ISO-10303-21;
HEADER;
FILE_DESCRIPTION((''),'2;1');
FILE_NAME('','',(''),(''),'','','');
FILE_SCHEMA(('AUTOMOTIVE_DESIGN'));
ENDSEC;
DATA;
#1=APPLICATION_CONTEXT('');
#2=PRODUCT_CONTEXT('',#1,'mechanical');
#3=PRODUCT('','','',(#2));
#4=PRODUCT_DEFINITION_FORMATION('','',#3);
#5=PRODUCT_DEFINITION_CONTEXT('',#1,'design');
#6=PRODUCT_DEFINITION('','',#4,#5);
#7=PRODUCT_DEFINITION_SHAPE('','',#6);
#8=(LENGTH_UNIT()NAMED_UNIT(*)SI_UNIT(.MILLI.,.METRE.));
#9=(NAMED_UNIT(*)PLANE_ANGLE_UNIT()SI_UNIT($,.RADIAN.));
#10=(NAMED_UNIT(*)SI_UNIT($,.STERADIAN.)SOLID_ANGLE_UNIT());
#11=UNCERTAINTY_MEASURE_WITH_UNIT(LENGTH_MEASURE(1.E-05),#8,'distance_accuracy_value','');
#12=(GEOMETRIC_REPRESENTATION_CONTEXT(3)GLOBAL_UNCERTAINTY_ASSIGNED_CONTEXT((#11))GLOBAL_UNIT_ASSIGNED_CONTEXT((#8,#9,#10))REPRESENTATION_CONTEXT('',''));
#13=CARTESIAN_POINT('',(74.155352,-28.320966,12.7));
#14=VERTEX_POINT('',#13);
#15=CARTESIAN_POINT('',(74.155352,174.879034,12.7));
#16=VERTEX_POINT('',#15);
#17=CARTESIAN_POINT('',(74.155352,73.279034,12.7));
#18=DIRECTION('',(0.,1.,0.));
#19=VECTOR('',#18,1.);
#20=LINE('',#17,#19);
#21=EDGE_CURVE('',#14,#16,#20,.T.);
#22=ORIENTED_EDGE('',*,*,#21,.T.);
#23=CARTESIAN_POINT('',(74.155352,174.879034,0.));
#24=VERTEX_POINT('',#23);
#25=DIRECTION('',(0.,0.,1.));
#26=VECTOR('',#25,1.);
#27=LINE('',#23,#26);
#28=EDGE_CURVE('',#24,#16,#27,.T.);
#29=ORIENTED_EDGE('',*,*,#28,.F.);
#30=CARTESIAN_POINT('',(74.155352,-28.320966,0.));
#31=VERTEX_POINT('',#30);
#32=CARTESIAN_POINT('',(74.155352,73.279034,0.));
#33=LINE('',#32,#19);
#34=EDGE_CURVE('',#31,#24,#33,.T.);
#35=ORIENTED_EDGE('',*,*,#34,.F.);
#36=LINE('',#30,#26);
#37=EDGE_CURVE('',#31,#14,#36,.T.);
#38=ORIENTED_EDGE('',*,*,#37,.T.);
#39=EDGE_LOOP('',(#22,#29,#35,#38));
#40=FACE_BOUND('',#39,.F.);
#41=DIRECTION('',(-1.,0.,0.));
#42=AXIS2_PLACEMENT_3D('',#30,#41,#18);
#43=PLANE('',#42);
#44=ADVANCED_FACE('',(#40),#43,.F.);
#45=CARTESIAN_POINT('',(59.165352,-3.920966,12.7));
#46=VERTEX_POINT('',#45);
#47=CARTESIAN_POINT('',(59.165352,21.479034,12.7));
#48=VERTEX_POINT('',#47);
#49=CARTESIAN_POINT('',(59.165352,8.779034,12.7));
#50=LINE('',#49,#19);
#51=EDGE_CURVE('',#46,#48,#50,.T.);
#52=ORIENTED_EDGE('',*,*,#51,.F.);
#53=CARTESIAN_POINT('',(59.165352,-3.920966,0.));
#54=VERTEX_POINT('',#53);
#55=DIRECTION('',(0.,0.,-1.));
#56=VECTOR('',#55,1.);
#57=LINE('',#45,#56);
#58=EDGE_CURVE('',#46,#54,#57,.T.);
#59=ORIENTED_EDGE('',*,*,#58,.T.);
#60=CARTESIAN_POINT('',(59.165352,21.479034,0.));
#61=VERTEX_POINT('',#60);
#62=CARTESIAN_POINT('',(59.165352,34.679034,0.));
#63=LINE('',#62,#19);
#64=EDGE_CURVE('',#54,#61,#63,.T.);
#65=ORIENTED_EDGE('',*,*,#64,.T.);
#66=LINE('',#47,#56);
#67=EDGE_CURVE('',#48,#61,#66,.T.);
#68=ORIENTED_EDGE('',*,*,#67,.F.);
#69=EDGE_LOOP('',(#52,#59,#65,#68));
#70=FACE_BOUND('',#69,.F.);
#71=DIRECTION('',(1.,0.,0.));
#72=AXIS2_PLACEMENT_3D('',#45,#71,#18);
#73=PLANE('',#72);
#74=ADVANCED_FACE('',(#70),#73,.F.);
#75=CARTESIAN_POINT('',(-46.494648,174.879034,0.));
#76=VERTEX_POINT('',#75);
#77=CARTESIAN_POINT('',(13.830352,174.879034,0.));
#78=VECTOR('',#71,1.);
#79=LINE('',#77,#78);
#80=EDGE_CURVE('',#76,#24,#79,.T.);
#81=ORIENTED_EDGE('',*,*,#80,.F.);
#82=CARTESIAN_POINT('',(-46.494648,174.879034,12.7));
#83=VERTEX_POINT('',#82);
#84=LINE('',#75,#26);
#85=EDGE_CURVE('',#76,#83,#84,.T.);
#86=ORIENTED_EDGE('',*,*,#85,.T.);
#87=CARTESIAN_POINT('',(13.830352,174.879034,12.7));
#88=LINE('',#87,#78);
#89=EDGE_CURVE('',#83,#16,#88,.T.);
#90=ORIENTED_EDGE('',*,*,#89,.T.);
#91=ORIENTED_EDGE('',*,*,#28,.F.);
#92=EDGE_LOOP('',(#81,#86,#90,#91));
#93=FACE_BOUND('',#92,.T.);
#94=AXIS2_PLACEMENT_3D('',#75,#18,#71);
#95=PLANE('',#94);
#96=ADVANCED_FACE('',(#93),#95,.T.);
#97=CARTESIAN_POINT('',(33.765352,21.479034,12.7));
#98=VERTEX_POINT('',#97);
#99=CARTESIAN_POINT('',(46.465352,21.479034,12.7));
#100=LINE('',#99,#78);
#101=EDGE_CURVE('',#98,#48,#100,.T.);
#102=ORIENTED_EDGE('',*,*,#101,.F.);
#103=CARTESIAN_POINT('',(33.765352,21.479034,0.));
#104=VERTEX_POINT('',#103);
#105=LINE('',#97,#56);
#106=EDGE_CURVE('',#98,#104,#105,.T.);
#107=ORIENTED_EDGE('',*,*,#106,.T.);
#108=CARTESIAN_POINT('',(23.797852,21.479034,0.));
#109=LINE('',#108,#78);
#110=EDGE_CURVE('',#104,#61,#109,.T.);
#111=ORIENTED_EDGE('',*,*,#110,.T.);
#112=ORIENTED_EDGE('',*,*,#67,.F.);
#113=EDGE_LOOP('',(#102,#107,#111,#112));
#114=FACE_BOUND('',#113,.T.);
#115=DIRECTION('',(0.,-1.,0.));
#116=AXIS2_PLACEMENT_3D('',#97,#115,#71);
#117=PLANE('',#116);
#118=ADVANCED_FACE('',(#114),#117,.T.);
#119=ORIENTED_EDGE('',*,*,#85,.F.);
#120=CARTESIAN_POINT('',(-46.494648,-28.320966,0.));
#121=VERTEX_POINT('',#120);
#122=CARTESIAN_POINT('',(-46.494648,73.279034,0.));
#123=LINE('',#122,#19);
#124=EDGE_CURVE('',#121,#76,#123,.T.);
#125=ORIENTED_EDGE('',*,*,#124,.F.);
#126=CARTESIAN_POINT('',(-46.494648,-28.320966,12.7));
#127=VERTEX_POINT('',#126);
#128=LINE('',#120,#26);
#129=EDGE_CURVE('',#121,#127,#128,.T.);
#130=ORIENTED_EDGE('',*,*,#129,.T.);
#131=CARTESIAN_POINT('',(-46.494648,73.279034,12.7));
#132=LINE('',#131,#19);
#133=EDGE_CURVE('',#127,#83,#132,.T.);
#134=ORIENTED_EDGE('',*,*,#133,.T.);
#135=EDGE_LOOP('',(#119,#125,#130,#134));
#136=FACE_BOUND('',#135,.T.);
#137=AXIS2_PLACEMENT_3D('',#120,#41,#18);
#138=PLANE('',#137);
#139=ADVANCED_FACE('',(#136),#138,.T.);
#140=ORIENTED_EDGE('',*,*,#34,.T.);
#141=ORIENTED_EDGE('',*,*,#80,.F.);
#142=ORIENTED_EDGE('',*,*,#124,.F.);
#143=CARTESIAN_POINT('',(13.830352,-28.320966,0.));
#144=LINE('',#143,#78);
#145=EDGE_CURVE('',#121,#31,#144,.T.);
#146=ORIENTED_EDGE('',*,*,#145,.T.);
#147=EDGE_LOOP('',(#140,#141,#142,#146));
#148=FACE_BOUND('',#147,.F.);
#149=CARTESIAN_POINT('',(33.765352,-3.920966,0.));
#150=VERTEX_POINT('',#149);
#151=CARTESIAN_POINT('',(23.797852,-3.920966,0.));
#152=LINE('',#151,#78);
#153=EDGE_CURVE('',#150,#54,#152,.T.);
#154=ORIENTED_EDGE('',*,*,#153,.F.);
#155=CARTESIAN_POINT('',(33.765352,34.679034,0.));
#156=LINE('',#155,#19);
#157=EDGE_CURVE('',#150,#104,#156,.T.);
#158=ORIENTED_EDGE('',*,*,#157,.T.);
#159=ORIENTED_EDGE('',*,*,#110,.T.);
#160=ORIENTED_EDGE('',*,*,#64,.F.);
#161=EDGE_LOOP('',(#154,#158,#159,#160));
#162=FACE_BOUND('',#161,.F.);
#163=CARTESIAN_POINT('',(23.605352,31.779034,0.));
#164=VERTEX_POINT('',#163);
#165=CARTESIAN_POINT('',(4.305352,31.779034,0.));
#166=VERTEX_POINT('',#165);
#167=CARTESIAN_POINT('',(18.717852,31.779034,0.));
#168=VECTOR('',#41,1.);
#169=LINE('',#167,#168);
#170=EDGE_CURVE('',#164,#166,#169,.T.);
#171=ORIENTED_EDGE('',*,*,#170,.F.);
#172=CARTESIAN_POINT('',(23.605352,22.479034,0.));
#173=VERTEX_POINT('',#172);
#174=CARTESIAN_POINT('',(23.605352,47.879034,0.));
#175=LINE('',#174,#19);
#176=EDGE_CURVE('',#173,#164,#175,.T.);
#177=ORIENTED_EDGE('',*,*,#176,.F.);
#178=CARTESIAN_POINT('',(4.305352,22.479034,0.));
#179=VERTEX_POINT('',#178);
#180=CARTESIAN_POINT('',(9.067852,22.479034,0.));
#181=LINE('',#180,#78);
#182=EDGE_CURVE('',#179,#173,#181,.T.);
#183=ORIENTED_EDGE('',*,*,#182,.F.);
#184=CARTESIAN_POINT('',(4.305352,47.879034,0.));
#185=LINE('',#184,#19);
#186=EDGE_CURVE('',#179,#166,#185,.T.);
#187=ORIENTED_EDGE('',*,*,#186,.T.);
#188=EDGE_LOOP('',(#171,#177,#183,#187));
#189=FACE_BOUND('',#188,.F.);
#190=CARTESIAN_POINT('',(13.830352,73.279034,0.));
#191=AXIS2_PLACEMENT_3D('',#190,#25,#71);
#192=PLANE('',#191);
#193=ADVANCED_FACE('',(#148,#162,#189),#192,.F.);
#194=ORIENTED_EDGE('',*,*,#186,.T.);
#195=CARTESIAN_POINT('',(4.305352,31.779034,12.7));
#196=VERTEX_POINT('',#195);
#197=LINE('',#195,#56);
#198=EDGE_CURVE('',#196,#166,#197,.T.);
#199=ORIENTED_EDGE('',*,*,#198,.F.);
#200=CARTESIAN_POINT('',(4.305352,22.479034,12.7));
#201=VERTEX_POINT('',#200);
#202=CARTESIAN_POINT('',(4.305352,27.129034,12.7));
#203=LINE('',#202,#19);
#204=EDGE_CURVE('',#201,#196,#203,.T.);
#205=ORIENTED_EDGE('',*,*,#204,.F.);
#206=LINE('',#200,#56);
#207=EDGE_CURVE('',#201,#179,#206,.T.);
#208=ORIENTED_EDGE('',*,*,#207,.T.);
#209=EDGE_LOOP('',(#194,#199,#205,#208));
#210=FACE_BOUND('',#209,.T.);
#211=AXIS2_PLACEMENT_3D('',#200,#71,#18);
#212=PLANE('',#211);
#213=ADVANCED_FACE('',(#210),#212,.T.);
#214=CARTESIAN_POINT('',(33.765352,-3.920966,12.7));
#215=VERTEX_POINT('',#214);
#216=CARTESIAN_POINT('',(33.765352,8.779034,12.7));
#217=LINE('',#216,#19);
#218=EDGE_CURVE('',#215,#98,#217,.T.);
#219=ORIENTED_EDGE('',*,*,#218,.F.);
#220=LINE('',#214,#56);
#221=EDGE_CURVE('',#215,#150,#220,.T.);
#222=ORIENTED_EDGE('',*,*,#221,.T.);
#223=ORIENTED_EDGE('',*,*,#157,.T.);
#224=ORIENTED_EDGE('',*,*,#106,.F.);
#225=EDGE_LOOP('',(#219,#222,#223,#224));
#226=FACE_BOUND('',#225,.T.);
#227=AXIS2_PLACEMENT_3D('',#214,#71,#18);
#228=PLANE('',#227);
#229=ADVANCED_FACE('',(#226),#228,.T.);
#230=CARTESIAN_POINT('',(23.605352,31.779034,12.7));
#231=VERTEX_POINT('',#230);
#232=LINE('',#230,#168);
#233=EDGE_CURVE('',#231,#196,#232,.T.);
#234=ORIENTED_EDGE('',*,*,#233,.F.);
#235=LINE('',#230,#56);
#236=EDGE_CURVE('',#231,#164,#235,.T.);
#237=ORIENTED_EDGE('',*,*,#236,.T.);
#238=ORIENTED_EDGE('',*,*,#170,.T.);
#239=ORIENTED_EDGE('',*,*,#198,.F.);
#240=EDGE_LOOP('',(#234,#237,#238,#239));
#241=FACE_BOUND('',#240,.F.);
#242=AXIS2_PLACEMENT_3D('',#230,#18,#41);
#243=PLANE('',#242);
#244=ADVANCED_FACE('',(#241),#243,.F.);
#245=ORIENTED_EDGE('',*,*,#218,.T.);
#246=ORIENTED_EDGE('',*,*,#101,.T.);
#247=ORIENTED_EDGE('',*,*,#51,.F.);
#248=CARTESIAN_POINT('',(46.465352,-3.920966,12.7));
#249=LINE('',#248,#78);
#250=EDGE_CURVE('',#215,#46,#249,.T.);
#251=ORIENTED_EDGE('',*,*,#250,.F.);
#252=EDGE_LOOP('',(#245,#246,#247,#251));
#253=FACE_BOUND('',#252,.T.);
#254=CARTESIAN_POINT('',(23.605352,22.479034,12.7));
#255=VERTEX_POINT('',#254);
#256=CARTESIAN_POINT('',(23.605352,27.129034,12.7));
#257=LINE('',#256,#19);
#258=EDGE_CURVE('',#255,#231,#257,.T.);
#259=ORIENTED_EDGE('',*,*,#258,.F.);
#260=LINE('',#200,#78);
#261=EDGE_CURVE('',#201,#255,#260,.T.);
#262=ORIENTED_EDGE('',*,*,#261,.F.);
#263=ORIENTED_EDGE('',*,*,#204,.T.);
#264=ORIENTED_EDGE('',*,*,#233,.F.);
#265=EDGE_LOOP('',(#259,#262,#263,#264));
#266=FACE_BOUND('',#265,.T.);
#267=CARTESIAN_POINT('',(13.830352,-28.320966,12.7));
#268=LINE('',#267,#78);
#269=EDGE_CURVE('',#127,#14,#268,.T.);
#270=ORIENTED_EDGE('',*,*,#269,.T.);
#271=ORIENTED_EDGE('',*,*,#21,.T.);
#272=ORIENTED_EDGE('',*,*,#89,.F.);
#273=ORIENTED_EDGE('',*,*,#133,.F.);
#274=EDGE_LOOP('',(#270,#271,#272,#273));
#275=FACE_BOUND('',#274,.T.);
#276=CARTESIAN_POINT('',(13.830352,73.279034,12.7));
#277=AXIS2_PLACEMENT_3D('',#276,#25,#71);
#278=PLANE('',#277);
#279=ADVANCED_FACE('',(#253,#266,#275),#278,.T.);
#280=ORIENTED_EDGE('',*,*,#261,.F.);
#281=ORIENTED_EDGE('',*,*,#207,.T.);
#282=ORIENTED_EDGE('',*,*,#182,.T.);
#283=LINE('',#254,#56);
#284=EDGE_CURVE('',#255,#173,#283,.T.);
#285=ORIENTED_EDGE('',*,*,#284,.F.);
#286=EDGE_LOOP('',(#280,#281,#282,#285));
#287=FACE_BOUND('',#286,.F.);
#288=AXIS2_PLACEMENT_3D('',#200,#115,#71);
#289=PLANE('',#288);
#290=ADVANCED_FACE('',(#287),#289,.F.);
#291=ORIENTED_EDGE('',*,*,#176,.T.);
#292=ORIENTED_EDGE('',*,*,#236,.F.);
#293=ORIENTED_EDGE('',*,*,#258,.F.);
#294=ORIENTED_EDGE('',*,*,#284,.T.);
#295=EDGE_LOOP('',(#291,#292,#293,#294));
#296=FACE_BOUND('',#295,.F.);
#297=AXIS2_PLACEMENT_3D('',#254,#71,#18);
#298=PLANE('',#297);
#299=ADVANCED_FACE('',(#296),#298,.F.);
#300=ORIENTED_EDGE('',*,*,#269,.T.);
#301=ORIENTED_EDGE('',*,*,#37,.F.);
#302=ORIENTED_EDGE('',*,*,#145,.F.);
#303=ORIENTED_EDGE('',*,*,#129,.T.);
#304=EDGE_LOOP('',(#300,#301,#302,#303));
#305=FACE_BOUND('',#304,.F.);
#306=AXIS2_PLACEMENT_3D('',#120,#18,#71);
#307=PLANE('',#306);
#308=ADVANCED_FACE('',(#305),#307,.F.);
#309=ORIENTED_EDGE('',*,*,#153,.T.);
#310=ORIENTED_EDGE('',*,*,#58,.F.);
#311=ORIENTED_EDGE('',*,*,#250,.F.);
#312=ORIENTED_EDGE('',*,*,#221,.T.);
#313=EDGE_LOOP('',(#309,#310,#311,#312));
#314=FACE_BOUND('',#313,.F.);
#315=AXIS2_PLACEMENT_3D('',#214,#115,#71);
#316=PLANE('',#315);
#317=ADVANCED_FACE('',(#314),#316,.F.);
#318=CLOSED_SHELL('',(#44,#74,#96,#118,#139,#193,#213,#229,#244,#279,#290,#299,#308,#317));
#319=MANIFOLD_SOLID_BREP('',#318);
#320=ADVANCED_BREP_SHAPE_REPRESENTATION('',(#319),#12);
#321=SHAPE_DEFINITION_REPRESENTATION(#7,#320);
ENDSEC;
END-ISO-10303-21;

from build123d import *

# Parameters (mm, degrees)
F0_W     = 120.65
F0_H     = 203.2
F1_DEPTH = 12.7
F2_W     = 9.3
F2_H     = 9.3
F2_W_2   = 0.7
F2_W_3   = 25.4
F2_H_2   = 25.4
F3_DEPTH = 25.4


with BuildPart() as f1:
    # F0 (on Top) → F1 (new body)
    with BuildSketch(Plane.XY):
        with Locations((13.830352, 73.279034)):
            Rectangle(F0_W, F0_H)
    extrude(amount=F1_DEPTH)

    # F2 (on face) → F3 (cut)
    with BuildSketch(Plane.XY.offset(12.7)):
        with Locations((8.955352, 27.129034)):
            Rectangle(F2_W, F2_H)
        with Locations((13.955352, 27.129034)):
            Rectangle(F2_W_2, F2_H)
        with Locations((18.955352, 27.129034)):
            Rectangle(F2_W, F2_H)
        with Locations((46.465352, 8.779034)):
            Rectangle(F2_W_3, F2_H_2)
    extrude(amount=-F3_DEPTH, mode=Mode.SUBTRACT)


solid = f1.part
